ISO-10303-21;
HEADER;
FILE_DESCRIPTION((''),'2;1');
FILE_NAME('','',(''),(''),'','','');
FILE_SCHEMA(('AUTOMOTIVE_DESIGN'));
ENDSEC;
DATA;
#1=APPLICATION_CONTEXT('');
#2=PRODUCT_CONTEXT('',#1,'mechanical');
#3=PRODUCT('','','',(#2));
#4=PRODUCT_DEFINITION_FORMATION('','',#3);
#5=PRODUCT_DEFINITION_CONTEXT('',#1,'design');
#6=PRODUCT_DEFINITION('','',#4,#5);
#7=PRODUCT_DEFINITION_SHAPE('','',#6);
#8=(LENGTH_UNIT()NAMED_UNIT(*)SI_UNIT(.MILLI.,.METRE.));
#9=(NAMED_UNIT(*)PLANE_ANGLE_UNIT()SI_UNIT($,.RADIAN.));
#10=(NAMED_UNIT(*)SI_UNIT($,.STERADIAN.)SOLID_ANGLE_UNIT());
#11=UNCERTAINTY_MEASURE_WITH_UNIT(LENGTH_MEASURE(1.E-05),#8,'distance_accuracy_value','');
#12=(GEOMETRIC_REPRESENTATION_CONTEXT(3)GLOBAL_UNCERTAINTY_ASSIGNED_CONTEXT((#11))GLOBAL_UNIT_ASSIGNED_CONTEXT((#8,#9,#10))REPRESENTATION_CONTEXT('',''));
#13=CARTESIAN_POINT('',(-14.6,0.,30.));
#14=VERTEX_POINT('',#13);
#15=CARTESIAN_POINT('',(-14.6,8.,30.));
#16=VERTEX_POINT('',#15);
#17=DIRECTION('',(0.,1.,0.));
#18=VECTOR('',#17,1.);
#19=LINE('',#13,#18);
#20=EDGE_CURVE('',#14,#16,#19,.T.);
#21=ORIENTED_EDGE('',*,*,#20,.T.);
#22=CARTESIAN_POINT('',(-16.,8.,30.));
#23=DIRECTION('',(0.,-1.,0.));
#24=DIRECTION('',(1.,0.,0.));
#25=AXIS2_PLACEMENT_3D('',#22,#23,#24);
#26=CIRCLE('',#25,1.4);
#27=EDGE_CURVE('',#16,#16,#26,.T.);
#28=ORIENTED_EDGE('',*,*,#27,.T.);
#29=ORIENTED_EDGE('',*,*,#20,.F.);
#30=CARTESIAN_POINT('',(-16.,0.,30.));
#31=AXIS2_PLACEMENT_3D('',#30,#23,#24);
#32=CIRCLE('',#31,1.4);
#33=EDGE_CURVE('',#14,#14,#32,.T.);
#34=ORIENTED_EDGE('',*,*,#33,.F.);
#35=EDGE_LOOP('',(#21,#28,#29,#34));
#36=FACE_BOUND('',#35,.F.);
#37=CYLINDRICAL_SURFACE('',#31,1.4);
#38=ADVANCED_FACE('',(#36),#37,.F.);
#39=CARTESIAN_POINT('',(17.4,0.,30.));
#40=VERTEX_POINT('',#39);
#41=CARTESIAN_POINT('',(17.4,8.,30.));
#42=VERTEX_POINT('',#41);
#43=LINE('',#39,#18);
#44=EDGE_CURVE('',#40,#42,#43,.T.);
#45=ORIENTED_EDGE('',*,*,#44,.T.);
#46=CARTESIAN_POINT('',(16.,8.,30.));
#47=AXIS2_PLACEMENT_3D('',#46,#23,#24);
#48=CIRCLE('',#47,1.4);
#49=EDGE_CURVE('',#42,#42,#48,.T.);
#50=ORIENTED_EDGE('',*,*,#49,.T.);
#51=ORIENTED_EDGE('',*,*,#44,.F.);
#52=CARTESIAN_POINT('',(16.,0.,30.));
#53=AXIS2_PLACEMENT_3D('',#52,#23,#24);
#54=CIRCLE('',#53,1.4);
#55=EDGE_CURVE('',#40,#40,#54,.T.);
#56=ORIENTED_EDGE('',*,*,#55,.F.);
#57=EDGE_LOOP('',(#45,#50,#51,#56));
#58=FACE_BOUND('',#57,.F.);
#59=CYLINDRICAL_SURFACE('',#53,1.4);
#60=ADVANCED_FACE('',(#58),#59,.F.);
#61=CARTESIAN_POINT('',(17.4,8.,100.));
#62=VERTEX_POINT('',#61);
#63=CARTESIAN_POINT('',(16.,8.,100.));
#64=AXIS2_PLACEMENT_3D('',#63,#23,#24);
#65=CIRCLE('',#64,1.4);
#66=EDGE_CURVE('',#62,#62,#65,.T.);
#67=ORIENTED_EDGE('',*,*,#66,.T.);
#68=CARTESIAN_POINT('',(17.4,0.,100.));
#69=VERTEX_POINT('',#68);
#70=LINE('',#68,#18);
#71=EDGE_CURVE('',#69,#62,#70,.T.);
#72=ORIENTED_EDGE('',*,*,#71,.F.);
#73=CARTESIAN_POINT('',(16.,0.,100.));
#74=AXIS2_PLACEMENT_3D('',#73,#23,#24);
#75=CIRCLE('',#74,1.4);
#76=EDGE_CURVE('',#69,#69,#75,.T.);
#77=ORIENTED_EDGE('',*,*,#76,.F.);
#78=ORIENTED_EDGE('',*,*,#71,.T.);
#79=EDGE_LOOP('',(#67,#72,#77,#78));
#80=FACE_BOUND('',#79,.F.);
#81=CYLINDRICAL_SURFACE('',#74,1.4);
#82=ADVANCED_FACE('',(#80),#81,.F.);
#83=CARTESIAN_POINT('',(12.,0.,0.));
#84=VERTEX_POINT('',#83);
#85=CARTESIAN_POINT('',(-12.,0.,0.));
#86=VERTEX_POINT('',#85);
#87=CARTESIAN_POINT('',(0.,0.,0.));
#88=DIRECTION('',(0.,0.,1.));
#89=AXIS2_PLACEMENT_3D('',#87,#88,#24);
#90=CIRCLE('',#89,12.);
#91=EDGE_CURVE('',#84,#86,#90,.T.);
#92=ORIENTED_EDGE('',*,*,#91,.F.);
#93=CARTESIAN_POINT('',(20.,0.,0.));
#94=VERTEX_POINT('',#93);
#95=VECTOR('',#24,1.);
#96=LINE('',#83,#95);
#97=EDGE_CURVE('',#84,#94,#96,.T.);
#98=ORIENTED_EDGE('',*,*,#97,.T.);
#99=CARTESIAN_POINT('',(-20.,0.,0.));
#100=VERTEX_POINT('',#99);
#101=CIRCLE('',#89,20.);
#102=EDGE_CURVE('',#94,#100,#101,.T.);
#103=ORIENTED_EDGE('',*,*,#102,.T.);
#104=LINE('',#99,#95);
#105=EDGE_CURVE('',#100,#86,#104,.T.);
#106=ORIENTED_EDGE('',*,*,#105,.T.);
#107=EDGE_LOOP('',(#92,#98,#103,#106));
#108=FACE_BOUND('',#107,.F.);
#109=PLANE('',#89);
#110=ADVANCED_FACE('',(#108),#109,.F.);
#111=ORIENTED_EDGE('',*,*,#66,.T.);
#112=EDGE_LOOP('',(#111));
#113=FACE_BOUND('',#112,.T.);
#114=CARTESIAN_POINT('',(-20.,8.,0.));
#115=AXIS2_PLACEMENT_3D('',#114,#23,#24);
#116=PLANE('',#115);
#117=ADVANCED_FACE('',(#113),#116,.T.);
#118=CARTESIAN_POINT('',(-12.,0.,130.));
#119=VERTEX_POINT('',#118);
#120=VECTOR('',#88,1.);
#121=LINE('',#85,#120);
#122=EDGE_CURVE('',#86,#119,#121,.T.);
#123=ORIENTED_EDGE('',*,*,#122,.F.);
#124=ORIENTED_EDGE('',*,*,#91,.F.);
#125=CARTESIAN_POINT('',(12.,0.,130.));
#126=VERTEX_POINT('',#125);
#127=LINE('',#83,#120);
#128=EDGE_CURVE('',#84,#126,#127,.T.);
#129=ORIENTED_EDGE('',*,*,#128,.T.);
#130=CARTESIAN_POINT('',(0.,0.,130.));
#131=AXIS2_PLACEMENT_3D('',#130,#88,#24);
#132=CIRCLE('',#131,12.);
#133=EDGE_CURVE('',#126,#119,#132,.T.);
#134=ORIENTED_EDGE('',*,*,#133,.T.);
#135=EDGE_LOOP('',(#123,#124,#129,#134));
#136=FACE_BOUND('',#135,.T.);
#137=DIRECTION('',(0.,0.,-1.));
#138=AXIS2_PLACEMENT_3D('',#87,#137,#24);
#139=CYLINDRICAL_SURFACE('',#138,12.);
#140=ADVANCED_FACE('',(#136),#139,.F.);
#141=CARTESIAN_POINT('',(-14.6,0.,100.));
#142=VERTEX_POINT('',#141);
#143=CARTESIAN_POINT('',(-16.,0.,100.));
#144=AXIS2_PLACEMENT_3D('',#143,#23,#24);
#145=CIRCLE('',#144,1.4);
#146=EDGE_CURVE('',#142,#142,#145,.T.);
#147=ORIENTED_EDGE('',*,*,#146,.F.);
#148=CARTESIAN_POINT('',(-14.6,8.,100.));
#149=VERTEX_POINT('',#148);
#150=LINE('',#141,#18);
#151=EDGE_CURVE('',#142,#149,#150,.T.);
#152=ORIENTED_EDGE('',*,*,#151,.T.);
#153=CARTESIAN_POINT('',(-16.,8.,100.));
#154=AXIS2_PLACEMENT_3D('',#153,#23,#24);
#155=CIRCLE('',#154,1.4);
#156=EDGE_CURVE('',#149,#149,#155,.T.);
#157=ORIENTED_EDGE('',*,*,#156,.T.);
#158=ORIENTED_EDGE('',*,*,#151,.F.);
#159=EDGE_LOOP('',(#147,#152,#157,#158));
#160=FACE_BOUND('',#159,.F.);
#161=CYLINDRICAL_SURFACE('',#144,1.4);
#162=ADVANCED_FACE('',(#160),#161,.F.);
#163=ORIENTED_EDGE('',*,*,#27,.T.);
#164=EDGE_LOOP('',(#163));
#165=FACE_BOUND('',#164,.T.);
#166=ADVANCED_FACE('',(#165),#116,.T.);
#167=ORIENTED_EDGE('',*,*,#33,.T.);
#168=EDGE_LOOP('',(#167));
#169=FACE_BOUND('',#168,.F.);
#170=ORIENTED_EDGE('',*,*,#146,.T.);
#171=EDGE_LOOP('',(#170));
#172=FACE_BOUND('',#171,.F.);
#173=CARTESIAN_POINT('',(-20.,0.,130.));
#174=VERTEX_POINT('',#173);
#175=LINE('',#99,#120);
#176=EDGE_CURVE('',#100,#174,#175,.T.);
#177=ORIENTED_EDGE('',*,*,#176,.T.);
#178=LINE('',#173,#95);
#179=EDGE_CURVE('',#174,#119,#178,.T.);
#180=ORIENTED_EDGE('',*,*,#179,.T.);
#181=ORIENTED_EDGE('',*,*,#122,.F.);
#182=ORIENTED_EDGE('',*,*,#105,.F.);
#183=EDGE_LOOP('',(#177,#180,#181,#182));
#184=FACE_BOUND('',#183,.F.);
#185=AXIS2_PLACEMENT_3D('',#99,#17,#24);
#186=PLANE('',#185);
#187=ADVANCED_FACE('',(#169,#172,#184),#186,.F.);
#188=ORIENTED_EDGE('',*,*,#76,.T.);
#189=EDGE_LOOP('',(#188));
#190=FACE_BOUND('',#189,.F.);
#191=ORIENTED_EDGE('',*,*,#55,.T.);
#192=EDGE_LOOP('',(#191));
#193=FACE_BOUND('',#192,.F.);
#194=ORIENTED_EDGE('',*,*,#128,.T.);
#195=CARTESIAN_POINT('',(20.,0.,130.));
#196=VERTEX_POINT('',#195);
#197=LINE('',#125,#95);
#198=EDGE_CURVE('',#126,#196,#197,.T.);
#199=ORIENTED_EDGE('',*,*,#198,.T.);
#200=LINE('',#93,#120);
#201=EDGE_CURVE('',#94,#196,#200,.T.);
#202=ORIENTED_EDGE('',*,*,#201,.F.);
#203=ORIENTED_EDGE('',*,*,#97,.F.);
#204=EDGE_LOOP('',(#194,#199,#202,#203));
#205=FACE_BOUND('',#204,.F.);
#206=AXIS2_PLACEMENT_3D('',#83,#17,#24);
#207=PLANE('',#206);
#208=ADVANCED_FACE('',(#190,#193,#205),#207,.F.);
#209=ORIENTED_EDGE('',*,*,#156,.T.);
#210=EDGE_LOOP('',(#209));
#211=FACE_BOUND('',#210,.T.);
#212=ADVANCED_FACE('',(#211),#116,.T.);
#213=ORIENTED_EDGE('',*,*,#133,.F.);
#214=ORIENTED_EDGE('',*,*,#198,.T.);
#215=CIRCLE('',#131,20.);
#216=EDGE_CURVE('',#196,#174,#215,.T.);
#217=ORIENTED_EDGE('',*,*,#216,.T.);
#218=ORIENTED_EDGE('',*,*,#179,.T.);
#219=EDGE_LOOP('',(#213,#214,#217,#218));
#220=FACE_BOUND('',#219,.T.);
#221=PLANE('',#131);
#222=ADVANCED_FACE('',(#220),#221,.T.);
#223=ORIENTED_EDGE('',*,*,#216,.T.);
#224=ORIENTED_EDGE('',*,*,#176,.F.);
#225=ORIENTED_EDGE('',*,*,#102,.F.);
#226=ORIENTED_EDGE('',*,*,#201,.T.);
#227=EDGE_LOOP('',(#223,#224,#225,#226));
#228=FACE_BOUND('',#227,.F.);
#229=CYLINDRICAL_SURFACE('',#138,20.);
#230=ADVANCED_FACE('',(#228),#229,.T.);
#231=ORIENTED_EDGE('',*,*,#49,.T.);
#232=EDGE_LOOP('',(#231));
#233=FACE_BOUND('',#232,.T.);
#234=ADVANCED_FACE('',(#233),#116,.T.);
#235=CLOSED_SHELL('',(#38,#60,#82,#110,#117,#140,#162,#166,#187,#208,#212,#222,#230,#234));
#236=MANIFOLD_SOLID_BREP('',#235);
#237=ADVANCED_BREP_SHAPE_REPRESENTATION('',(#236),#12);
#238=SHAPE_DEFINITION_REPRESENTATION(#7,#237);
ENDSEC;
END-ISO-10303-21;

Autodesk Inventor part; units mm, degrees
ref_plane "YZ Plane" through (0, 0, 0) normal (1, 0, 0) x (0, 1, 0)
ref_plane "XZ Plane" through (0, 0, 0) normal (0, 1, 0) x (-1, 0, 0)
sketch "草圖2" plane through (0, 0, 0) normal (0, 0, 1) x (1, 0, 0)
  arc A0 (12, 0) -> (-12, 0) centre (0, 0) ccw
  arc A1 (20, 0) -> (-20, 0) centre (0, 0) ccw
  line L0 (-20, 0) -> (-12, 0)
  line L1 (12, 0) -> (20, 0)
  dimension "d4" = 24
  dimension "d5" = 40
extrude "擠出1" add sketch "草圖2" along normal blind 130
ref_plane "工作平面1" through (-20, 0, 0) normal (0, -1, 0) x (1, 0, 0)
sketch "草圖3" plane through (-20, 0, 0) normal (0, -1, 0) x (1, 0, 0)
  line L0 (40, 130) -> (0, 130) projected
  line L1 (0, 130) -> (4, 130)
  line L2 (0, 0) -> (40, 0) projected
  line L3 (40, 0) -> (36, 0)
  circle A0 centre (4, 30) radius 1.4
  circle A1 centre (4, 100) radius 1.4
  circle A2 centre (36, 100) radius 1.4
  circle A3 centre (36, 30) radius 1.4
  point P0 (20, 0)
  dimension "d9" = 4
  dimension "d10" = 4
  dimension "d13" = 2.8
  dimension "d14" = 2.8
  dimension "d15" = 2.8
  dimension "d16" = 2.8
extrude "擠出2" cut sketch "草圖3" against normal blind 8
properties part number "holding_position"
